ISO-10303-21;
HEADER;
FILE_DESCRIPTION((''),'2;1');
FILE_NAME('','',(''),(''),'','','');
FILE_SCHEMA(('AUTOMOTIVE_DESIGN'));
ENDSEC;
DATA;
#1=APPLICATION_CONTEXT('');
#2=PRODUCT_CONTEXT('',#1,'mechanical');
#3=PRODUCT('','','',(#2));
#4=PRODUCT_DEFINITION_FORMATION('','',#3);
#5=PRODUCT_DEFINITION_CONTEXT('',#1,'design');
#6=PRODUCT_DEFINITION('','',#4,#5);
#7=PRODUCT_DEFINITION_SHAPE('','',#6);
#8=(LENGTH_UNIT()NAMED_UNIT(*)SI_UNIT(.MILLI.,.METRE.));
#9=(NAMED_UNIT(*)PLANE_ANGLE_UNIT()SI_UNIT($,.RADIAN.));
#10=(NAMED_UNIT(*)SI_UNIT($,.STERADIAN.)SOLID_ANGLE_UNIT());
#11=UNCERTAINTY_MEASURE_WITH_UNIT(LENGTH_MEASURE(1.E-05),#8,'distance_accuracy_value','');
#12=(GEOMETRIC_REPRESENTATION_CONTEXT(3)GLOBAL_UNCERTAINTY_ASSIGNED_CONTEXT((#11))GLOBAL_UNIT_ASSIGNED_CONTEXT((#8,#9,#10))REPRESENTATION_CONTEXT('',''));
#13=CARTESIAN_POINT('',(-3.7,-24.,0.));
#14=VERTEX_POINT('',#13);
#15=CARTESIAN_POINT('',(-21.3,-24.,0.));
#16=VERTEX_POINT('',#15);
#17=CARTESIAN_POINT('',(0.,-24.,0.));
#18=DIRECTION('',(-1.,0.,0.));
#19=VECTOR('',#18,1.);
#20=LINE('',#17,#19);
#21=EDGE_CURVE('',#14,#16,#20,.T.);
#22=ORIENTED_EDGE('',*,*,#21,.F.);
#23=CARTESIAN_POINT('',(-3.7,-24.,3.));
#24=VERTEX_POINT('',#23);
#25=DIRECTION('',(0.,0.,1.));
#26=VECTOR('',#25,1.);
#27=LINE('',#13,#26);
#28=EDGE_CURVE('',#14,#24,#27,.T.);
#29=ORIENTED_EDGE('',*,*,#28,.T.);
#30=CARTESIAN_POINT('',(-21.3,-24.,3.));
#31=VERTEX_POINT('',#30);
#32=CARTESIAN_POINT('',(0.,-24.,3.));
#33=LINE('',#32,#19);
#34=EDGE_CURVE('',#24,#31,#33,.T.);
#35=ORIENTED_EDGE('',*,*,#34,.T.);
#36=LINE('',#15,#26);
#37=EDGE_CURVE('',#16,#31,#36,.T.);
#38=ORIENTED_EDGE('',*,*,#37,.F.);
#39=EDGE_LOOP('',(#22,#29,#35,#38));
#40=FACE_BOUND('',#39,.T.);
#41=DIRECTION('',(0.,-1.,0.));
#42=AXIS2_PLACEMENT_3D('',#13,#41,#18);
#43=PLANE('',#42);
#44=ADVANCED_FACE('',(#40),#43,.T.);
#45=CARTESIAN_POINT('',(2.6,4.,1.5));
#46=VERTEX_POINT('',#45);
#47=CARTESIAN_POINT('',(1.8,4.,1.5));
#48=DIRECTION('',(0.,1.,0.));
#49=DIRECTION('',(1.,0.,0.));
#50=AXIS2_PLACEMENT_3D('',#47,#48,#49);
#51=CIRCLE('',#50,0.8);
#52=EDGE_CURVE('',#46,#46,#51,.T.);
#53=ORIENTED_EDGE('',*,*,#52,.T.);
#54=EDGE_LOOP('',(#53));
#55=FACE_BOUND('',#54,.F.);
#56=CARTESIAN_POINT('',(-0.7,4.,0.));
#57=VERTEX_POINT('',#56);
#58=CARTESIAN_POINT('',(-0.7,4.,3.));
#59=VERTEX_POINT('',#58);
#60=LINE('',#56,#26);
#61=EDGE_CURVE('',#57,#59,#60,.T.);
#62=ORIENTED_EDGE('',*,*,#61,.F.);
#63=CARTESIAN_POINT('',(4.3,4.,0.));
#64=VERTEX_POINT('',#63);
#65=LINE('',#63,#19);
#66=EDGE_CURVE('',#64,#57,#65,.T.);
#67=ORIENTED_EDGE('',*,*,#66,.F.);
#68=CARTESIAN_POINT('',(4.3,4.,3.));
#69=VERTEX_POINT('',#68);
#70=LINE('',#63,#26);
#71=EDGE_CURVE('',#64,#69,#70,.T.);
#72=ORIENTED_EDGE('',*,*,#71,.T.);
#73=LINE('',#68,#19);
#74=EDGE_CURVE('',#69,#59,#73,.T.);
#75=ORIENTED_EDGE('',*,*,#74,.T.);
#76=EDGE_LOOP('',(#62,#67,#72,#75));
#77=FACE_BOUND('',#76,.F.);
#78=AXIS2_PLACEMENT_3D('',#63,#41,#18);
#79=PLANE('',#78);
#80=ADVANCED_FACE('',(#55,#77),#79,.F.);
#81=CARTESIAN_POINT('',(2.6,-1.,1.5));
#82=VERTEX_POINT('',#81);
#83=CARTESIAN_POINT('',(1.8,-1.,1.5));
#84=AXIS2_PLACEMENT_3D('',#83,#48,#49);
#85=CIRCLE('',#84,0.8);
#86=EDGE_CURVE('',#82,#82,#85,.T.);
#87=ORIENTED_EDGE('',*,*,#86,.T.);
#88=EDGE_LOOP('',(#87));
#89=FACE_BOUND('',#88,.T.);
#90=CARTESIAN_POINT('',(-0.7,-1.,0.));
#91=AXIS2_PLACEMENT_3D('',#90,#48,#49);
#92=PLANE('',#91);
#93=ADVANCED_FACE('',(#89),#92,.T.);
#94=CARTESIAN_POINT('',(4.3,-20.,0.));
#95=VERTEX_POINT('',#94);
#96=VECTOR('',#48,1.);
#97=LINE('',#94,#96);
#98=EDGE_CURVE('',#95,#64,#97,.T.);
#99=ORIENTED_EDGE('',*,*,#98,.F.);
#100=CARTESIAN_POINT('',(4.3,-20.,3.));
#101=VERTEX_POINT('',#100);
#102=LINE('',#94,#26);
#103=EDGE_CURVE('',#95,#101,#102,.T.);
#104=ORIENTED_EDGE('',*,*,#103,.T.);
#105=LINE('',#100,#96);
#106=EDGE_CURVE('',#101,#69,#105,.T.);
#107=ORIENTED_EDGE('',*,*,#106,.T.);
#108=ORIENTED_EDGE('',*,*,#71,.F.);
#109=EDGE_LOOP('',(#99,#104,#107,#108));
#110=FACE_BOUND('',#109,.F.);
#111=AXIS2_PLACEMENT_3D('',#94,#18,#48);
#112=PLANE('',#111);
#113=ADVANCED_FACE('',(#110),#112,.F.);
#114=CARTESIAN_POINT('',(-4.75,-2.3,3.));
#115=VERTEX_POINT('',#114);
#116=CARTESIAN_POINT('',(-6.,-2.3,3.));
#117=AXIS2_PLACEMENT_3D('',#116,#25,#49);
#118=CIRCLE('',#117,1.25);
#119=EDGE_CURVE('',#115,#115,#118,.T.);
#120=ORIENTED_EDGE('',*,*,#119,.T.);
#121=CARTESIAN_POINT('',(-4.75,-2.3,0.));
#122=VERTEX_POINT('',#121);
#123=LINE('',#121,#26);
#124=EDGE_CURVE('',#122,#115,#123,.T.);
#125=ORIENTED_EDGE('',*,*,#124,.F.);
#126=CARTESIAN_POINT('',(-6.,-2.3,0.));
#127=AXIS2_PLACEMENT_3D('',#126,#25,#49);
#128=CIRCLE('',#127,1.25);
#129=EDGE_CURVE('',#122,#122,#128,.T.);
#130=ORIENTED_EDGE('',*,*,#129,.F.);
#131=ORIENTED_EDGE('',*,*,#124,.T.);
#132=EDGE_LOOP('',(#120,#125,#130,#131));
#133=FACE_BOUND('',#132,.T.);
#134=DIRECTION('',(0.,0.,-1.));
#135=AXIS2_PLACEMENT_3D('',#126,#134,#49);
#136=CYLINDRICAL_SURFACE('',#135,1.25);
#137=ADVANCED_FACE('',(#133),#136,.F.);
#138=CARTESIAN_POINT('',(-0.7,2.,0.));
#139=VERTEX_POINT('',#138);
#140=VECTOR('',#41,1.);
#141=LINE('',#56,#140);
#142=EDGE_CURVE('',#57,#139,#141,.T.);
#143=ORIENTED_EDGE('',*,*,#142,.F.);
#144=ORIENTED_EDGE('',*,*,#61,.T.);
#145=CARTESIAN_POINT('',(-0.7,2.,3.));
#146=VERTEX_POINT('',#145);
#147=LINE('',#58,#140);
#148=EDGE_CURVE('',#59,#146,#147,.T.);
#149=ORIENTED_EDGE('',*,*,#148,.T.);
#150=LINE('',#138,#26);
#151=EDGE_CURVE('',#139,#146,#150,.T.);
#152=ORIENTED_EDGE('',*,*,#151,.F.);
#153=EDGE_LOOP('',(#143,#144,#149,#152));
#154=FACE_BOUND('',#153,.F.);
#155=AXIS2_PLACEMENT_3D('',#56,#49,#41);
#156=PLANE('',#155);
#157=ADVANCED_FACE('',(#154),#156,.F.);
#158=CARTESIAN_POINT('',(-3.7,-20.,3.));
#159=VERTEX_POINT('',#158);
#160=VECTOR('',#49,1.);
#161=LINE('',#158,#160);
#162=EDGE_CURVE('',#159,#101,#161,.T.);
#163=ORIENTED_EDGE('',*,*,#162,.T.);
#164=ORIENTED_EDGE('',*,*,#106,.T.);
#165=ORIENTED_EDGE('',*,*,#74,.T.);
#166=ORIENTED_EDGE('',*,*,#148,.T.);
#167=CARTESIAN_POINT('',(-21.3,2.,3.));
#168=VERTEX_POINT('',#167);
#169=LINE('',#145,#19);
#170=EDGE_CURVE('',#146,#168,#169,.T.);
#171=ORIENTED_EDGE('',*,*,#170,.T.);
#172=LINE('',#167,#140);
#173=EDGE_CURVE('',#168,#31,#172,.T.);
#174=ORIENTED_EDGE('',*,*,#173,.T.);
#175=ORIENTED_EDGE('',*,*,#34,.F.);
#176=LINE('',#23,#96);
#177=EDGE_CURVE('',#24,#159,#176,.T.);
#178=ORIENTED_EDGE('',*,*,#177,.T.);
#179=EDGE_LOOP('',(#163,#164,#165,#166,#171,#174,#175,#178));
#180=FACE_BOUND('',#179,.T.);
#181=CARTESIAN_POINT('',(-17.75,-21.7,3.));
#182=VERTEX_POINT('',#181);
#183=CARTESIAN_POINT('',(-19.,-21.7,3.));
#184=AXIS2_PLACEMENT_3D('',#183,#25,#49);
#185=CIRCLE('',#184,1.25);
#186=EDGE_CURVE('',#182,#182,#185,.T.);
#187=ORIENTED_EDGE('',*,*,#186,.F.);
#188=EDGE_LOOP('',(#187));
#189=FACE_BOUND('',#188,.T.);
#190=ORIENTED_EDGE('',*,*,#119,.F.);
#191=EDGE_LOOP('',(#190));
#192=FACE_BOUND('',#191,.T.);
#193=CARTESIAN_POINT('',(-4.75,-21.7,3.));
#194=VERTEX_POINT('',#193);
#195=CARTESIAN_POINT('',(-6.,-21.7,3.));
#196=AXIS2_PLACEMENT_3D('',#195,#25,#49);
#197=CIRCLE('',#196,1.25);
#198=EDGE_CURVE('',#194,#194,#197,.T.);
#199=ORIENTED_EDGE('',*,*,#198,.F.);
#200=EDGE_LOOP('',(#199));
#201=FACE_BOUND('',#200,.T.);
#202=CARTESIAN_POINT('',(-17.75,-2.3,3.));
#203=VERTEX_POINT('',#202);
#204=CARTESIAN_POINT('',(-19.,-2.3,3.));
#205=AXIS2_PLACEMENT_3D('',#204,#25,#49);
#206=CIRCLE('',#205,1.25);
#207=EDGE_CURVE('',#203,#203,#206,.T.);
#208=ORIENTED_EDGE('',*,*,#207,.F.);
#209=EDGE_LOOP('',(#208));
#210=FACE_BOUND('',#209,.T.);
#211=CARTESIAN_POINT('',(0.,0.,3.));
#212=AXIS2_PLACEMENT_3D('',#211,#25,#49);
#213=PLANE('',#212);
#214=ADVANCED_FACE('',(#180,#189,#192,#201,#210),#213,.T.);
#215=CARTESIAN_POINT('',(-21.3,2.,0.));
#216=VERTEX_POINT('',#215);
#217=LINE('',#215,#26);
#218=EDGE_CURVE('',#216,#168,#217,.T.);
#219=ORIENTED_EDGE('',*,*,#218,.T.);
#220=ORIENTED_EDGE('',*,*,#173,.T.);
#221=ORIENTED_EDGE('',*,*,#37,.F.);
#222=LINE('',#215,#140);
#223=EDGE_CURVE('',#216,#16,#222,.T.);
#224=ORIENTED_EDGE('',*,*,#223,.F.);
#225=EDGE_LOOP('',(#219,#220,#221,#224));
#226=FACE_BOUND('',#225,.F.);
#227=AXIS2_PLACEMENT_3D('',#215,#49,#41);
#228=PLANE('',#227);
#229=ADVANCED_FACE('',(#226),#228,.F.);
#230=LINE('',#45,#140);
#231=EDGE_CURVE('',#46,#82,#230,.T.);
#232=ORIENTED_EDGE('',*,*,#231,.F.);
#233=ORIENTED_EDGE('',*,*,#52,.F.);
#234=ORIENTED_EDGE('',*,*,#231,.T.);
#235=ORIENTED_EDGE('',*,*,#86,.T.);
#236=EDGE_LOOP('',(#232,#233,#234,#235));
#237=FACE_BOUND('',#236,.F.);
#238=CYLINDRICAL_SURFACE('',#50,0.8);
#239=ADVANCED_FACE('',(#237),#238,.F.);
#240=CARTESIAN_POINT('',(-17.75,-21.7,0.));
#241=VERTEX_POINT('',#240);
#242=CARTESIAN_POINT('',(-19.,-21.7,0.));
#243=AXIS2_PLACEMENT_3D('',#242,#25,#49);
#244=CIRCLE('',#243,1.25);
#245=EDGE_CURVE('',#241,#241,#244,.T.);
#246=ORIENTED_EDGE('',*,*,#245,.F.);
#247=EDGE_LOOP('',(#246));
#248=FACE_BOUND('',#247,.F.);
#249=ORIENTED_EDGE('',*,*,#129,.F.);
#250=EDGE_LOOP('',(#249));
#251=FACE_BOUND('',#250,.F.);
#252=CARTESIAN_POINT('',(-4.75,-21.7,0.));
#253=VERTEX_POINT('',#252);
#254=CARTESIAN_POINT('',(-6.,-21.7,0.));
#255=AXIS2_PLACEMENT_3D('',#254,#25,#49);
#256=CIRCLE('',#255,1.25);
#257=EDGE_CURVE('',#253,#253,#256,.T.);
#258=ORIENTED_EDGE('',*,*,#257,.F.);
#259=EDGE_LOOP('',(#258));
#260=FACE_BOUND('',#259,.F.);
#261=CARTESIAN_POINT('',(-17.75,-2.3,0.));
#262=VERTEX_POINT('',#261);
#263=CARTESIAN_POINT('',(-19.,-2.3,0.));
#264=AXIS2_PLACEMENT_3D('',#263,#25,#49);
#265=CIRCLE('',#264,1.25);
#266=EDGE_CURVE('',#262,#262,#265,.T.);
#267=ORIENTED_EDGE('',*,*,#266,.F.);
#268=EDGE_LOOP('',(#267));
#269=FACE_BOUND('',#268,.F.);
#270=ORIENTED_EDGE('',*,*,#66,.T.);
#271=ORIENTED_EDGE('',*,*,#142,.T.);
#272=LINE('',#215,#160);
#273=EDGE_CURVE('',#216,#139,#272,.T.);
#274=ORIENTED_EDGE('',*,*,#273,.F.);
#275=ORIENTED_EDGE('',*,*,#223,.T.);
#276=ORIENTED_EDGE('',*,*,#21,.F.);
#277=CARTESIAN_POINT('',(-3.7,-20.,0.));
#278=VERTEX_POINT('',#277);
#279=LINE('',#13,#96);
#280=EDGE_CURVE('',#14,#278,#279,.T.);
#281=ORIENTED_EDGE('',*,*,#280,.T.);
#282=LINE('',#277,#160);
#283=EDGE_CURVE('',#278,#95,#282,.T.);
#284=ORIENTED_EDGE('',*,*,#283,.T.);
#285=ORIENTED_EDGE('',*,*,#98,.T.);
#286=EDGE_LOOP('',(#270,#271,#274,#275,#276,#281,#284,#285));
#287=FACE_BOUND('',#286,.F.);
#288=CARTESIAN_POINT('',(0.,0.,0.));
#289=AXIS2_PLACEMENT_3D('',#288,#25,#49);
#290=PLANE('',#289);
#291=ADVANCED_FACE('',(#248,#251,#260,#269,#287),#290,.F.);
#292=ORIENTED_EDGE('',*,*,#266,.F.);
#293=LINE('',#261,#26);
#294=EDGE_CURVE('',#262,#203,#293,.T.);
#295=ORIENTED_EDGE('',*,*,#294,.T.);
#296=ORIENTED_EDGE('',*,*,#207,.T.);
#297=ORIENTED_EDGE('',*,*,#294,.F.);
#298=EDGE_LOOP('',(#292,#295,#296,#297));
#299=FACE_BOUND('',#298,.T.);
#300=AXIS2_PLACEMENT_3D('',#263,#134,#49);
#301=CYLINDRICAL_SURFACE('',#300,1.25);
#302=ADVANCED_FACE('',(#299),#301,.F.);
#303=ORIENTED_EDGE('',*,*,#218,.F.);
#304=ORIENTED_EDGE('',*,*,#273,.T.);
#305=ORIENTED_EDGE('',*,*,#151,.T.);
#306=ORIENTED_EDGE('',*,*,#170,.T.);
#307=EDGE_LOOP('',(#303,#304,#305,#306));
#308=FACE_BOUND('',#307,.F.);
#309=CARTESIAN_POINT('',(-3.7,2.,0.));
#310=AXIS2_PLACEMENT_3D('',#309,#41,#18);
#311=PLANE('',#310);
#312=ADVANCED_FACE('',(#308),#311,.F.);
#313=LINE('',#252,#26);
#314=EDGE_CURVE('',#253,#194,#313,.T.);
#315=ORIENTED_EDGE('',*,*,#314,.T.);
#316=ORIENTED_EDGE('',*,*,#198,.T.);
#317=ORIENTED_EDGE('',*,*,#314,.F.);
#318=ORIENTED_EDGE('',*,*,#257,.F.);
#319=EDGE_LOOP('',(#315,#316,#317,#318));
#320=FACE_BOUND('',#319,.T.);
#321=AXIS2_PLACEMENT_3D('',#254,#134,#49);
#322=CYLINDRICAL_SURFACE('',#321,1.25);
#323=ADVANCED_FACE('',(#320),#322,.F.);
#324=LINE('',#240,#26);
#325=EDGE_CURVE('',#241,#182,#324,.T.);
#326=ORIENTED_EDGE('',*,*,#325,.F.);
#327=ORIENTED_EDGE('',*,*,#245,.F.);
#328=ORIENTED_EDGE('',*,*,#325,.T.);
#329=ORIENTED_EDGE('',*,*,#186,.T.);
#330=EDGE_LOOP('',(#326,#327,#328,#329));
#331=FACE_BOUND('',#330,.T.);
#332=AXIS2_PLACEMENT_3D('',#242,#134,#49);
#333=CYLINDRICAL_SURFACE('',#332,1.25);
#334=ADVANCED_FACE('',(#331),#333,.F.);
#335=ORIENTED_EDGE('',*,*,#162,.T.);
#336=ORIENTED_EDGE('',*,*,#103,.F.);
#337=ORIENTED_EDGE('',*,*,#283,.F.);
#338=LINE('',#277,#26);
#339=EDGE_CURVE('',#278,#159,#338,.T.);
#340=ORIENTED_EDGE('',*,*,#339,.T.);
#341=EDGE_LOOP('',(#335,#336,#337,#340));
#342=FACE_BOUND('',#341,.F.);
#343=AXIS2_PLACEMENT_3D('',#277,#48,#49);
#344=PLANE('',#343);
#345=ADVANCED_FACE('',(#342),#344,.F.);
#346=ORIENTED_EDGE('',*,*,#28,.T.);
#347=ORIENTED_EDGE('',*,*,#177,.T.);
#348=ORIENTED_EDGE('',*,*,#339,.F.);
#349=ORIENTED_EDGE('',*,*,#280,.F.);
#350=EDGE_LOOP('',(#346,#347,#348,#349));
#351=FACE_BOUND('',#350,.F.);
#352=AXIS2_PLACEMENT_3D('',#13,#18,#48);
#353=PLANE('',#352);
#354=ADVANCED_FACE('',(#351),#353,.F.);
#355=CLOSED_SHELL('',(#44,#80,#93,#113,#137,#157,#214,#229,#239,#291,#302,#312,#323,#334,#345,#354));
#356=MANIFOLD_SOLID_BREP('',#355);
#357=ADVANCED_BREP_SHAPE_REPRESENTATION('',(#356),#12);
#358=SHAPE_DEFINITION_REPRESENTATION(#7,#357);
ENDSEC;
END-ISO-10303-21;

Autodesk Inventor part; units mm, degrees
ref_plane "YZ Plane" through (0, 0, 0) normal (1, 0, 0) x (0, 1, 0)
ref_plane "XZ Plane" through (0, 0, 0) normal (0, 1, 0) x (-1, 0, 0)
ref_plane "作業平面1" through (0, 0, 0) normal (0, 0, 1) x (1, 0, 0)
sketch "スケッチ1" plane through (0, 0, 0) normal (0, 0, 1) x (1, 0, 0)
  circle A0 centre (-6, -21.7) radius 1.25 projected
  circle A1 centre (-19, -21.7) radius 1.25 projected
  circle A2 centre (-19, -2.3) radius 1.25 projected
  circle A3 centre (-6, -2.3) radius 1.25 projected
  line L0 (0, -24) -> (-27.3, -24) projected
  line L1 (-3.7, -24) -> (-3.7, 2)
  line L2 (-3.7, 2) -> (-21.3, 2)
  line L3 (-21.3, 2) -> (-21.3, -24)
  circle A4 centre (-6, -21.7) radius 2.3 construction
  circle A5 centre (-19, -21.7) radius 2.3 construction
  line L4 (-3.7, -20) -> (4.3, -20)
  line L5 (4.3, -20) -> (4.3, 4)
  line L6 (4.3, 4) -> (-0.7, 4)
  line L7 (-0.7, 4) -> (-0.7, 2)
  line L8 (-0.7, 2) -> (-3.7, 2)
  point P0 (0, 0)
  dimension "d0" = 26
  dimension "d3" = 3
  dimension "d4" = 5
  dimension "d5" = 2
  dimension "d6" = 24
extrude "押し出し1" add sketch "スケッチ1" along normal blind 3
sketch "スケッチ2" plane through (-0.7, 4, 0) normal (0, 1, 0) x (1, 0, 0)
  line L0 (5, 0) -> (0, 0) projected
  line L1 (0, 0) -> (0, -3) projected
  line L2 (5, -3) -> (0, -3) projected
  line L3 (5, 0) -> (5, -3) projected
  circle A0 centre (2.5, -1.5) radius 0.8
  line L4 (5, -3) -> (0, 0) construction
  line L5 (5, 0) -> (0, -3) construction
  point P0 (0.7, 0)
  dimension "d7" = 1.6
extrude "押し出し2" cut sketch "スケッチ2" against normal blind 5 contours A0
properties part number "KickerMount_R"
